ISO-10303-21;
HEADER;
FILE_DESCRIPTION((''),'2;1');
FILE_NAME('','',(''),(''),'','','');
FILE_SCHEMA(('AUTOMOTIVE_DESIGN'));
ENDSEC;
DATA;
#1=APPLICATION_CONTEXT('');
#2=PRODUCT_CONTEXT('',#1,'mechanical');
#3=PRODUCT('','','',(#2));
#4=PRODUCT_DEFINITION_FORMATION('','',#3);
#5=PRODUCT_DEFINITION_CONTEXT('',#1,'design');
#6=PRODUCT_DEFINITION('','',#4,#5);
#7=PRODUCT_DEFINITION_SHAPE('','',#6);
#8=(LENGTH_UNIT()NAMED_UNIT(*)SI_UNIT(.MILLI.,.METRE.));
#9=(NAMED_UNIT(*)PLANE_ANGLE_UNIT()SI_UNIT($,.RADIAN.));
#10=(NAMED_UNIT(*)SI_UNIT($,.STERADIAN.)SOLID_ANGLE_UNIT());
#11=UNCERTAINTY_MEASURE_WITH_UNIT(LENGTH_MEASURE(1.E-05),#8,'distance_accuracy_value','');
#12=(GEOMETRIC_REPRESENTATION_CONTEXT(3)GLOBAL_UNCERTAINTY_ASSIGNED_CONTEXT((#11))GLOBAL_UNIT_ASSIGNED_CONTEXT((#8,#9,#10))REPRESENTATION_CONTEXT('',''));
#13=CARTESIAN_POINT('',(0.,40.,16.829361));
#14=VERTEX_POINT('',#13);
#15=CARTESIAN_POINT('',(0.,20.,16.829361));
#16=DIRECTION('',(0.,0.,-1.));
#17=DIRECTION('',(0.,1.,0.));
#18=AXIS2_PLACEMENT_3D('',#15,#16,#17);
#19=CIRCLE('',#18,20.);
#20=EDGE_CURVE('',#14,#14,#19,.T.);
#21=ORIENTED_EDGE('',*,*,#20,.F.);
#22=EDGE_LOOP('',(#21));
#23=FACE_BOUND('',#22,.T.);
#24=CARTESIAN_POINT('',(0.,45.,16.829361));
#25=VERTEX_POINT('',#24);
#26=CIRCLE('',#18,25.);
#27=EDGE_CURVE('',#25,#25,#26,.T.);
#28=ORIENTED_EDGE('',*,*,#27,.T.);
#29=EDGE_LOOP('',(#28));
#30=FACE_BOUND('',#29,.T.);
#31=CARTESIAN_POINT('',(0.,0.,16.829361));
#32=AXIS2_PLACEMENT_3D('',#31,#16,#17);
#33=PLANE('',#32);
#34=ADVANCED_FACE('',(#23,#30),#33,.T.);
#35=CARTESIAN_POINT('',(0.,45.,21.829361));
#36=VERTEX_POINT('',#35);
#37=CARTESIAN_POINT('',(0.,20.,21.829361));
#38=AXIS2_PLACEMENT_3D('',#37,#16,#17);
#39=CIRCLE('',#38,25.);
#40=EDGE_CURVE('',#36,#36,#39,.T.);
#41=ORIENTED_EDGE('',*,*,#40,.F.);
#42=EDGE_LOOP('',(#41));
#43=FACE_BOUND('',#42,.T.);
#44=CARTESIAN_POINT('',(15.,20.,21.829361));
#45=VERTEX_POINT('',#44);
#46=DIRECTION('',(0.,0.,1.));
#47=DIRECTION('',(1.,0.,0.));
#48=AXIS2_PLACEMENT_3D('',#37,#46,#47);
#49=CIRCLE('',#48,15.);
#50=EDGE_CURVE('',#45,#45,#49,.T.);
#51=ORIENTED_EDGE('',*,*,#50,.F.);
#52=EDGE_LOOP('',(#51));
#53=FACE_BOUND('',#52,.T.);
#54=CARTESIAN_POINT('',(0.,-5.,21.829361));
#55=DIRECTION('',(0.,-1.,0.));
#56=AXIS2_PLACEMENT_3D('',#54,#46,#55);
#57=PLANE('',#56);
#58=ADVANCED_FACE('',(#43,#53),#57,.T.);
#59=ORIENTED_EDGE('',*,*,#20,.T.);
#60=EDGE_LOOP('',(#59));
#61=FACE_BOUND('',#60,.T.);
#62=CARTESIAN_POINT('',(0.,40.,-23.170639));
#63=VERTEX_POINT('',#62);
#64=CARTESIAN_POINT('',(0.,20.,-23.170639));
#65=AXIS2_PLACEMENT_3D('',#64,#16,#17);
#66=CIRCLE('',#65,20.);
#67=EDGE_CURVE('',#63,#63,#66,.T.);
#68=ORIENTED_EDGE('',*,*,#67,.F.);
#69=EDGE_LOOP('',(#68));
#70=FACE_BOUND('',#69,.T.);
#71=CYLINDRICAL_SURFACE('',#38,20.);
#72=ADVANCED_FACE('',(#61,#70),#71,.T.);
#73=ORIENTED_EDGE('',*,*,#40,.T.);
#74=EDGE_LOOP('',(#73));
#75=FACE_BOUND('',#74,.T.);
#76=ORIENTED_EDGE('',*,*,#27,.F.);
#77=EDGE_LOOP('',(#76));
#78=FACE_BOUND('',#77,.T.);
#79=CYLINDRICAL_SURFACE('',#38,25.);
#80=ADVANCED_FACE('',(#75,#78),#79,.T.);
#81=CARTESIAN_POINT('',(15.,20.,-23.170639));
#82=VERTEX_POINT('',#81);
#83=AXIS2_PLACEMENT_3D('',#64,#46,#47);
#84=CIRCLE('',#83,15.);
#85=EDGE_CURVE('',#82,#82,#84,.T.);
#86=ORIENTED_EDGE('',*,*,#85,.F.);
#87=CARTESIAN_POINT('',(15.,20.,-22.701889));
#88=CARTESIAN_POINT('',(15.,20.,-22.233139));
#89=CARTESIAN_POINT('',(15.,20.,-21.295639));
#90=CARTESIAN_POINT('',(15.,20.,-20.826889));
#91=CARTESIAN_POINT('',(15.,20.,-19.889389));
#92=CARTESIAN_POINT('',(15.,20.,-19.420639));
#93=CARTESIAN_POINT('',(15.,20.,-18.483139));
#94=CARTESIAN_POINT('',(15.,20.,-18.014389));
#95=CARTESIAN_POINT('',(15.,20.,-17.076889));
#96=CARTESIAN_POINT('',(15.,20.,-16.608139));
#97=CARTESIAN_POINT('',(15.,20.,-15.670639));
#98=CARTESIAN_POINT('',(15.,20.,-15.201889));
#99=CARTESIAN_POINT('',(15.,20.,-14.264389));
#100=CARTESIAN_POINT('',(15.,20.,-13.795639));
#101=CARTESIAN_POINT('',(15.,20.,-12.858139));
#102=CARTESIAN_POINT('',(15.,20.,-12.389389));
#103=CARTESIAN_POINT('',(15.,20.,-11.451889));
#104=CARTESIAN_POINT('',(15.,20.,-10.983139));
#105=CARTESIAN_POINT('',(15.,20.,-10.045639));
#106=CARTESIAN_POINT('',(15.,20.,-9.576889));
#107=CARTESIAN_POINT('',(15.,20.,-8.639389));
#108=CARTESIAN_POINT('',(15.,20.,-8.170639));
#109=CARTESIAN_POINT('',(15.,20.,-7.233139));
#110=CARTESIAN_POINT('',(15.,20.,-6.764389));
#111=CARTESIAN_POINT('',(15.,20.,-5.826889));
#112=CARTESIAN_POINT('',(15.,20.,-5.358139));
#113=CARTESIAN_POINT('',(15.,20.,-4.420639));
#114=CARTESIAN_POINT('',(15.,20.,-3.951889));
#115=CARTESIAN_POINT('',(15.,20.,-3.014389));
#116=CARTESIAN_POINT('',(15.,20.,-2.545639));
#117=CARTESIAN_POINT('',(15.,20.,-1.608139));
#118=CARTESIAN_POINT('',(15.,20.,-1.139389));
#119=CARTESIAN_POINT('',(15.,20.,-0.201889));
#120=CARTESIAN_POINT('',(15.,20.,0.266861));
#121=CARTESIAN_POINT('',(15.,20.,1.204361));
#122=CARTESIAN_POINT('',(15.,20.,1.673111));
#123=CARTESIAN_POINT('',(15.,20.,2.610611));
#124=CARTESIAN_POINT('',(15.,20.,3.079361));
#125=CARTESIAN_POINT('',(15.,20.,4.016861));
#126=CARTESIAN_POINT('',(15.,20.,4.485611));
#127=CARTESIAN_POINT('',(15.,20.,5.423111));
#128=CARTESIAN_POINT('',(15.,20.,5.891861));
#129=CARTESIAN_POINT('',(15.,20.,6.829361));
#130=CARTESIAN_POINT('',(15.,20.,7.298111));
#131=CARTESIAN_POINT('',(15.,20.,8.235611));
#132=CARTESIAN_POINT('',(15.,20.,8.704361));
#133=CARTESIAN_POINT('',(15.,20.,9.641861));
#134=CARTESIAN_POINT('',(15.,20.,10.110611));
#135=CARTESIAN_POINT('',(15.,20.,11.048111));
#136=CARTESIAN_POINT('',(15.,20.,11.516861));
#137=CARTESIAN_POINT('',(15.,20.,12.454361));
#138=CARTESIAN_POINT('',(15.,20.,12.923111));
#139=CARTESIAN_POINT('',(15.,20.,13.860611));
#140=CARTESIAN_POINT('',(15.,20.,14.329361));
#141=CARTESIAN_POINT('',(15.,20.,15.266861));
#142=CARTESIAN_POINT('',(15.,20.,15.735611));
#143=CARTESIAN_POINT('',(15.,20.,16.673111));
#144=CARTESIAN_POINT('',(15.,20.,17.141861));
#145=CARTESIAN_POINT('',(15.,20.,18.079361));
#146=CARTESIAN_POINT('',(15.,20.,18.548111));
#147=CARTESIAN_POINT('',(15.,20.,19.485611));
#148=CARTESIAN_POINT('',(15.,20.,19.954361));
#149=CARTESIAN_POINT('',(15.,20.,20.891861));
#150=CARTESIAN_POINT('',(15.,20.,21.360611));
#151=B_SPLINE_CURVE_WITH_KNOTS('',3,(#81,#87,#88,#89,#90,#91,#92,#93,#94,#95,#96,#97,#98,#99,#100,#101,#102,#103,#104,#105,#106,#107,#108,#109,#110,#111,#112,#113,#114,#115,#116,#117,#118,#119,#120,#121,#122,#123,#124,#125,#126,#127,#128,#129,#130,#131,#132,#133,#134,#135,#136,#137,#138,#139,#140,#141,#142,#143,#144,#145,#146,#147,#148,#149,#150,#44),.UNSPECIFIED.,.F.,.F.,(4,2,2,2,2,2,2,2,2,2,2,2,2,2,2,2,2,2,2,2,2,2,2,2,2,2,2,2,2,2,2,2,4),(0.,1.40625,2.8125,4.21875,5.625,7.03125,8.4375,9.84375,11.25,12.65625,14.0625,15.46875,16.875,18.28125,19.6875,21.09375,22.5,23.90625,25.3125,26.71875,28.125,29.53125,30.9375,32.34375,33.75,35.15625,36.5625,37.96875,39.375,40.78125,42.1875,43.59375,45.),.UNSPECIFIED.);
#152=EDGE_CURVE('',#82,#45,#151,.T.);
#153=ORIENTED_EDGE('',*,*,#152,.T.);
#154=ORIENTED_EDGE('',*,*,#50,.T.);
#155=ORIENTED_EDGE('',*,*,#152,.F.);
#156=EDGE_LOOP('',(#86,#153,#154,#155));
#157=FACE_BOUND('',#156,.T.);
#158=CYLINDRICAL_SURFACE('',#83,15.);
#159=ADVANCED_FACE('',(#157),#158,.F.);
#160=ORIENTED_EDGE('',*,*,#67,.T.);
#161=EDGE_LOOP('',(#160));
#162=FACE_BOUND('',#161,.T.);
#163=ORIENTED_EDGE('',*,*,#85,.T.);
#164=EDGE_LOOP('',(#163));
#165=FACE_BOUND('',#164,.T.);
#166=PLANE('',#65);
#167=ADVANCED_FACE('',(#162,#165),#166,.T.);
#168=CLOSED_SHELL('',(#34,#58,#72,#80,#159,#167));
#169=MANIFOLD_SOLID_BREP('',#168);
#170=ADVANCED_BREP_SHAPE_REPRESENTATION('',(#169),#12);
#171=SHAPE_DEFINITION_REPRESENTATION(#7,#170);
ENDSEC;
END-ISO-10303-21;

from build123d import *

# Parameters (mm, degrees)
SKETCH2_R          = 15
CUT_EXTRUDE1_DEPTH = 69.373971656


with BuildPart() as part:
    # Sketch1 → Revolve1 (revolve)
    with BuildSketch(Plane(origin=(0, 0, 0), x_dir=(0, 0, -1), z_dir=(1, 0, 0)), mode=Mode.PRIVATE) as revolve1_sk:
        Polygon((23.170638754, 0), (-16.829361246, 0), (-16.829361246, -5), (-21.829361246, -5), (-21.829361246, 20), (23.170638754, 20), align=None)
    revolve(revolve1_sk.sketch.rotate(Axis((0, 20, 21.829361246), (0, 0, -1)), 180), axis=Axis((0, 20, 21.829361246), (0, 0, -1)))

    # Sketch2 → Cut-Extrude1 (cut, through all)
    with BuildSketch(Plane.XY.offset(21.829361246)):
        with Locations((0, 20)):
            Circle(SKETCH2_R)
    extrude(amount=-CUT_EXTRUDE1_DEPTH, mode=Mode.SUBTRACT)


solid = part.part
